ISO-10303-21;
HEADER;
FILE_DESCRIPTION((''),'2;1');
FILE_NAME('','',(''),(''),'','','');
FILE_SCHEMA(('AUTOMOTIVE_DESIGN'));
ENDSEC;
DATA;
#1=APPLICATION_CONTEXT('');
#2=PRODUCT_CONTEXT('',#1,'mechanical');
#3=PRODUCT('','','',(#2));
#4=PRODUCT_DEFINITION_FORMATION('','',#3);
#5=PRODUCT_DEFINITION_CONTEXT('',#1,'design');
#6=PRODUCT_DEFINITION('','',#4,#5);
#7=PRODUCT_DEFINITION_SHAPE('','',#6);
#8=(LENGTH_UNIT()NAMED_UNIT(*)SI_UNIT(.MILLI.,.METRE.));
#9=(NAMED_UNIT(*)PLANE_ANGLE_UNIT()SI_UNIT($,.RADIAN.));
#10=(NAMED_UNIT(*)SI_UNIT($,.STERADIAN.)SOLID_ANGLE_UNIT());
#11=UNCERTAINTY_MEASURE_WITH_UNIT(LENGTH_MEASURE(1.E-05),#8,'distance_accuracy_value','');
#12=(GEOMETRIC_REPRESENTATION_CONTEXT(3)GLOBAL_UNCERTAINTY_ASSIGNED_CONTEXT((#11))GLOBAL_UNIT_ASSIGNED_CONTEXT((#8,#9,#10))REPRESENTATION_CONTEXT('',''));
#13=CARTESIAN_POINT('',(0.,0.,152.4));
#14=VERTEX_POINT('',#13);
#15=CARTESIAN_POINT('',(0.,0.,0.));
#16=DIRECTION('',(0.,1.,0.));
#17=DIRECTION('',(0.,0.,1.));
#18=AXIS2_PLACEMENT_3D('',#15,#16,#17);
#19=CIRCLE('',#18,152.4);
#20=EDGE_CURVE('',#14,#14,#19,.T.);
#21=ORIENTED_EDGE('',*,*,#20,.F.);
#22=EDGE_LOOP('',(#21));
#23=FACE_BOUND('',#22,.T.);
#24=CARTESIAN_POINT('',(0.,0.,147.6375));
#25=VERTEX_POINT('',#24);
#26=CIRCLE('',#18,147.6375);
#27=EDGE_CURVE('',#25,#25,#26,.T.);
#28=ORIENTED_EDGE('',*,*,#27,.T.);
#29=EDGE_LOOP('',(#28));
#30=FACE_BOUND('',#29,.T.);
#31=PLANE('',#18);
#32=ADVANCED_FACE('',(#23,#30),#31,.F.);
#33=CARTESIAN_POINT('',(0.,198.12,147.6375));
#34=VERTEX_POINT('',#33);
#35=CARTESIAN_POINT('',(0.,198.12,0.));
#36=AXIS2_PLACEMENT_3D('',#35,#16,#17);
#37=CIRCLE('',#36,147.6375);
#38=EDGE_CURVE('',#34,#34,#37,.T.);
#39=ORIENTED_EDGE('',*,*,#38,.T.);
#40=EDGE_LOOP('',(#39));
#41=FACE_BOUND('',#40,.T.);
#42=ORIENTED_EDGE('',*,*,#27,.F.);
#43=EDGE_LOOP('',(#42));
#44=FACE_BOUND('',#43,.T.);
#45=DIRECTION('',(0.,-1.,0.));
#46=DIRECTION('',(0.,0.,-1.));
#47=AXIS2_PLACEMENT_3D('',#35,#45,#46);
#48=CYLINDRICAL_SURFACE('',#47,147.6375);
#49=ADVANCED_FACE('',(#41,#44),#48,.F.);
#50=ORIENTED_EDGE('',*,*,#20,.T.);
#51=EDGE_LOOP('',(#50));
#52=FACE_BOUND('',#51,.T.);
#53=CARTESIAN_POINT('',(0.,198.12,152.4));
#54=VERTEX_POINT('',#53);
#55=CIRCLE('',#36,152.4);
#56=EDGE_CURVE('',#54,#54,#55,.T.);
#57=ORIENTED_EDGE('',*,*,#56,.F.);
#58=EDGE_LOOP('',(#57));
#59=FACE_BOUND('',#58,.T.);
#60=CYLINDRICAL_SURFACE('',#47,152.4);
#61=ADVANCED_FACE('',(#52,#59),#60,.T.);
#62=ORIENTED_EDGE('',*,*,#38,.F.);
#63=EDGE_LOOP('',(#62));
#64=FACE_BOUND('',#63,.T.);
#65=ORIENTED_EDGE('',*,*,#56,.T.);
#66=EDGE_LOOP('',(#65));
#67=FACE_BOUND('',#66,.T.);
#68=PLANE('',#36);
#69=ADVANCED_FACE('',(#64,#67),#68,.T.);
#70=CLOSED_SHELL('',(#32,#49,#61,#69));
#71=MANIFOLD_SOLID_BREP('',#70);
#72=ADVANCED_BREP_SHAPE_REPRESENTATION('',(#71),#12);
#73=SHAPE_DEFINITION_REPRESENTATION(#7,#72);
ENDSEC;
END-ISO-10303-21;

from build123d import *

# Parameters (mm, degrees)
SKETCH1_R           = 152.4
SKETCH1_R_2         = 147.6375
BOSS_EXTRUDE1_DEPTH = 198.12


with BuildPart() as part:
    # Sketch1 → Boss-Extrude1 (new body)
    with BuildSketch(Plane(origin=(0, 0, 0), x_dir=(1, 0, 0), z_dir=(0, 1, 0))):
        Circle(SKETCH1_R)
        Circle(SKETCH1_R_2, mode=Mode.SUBTRACT)
    extrude(amount=BOSS_EXTRUDE1_DEPTH)


solid = part.part
